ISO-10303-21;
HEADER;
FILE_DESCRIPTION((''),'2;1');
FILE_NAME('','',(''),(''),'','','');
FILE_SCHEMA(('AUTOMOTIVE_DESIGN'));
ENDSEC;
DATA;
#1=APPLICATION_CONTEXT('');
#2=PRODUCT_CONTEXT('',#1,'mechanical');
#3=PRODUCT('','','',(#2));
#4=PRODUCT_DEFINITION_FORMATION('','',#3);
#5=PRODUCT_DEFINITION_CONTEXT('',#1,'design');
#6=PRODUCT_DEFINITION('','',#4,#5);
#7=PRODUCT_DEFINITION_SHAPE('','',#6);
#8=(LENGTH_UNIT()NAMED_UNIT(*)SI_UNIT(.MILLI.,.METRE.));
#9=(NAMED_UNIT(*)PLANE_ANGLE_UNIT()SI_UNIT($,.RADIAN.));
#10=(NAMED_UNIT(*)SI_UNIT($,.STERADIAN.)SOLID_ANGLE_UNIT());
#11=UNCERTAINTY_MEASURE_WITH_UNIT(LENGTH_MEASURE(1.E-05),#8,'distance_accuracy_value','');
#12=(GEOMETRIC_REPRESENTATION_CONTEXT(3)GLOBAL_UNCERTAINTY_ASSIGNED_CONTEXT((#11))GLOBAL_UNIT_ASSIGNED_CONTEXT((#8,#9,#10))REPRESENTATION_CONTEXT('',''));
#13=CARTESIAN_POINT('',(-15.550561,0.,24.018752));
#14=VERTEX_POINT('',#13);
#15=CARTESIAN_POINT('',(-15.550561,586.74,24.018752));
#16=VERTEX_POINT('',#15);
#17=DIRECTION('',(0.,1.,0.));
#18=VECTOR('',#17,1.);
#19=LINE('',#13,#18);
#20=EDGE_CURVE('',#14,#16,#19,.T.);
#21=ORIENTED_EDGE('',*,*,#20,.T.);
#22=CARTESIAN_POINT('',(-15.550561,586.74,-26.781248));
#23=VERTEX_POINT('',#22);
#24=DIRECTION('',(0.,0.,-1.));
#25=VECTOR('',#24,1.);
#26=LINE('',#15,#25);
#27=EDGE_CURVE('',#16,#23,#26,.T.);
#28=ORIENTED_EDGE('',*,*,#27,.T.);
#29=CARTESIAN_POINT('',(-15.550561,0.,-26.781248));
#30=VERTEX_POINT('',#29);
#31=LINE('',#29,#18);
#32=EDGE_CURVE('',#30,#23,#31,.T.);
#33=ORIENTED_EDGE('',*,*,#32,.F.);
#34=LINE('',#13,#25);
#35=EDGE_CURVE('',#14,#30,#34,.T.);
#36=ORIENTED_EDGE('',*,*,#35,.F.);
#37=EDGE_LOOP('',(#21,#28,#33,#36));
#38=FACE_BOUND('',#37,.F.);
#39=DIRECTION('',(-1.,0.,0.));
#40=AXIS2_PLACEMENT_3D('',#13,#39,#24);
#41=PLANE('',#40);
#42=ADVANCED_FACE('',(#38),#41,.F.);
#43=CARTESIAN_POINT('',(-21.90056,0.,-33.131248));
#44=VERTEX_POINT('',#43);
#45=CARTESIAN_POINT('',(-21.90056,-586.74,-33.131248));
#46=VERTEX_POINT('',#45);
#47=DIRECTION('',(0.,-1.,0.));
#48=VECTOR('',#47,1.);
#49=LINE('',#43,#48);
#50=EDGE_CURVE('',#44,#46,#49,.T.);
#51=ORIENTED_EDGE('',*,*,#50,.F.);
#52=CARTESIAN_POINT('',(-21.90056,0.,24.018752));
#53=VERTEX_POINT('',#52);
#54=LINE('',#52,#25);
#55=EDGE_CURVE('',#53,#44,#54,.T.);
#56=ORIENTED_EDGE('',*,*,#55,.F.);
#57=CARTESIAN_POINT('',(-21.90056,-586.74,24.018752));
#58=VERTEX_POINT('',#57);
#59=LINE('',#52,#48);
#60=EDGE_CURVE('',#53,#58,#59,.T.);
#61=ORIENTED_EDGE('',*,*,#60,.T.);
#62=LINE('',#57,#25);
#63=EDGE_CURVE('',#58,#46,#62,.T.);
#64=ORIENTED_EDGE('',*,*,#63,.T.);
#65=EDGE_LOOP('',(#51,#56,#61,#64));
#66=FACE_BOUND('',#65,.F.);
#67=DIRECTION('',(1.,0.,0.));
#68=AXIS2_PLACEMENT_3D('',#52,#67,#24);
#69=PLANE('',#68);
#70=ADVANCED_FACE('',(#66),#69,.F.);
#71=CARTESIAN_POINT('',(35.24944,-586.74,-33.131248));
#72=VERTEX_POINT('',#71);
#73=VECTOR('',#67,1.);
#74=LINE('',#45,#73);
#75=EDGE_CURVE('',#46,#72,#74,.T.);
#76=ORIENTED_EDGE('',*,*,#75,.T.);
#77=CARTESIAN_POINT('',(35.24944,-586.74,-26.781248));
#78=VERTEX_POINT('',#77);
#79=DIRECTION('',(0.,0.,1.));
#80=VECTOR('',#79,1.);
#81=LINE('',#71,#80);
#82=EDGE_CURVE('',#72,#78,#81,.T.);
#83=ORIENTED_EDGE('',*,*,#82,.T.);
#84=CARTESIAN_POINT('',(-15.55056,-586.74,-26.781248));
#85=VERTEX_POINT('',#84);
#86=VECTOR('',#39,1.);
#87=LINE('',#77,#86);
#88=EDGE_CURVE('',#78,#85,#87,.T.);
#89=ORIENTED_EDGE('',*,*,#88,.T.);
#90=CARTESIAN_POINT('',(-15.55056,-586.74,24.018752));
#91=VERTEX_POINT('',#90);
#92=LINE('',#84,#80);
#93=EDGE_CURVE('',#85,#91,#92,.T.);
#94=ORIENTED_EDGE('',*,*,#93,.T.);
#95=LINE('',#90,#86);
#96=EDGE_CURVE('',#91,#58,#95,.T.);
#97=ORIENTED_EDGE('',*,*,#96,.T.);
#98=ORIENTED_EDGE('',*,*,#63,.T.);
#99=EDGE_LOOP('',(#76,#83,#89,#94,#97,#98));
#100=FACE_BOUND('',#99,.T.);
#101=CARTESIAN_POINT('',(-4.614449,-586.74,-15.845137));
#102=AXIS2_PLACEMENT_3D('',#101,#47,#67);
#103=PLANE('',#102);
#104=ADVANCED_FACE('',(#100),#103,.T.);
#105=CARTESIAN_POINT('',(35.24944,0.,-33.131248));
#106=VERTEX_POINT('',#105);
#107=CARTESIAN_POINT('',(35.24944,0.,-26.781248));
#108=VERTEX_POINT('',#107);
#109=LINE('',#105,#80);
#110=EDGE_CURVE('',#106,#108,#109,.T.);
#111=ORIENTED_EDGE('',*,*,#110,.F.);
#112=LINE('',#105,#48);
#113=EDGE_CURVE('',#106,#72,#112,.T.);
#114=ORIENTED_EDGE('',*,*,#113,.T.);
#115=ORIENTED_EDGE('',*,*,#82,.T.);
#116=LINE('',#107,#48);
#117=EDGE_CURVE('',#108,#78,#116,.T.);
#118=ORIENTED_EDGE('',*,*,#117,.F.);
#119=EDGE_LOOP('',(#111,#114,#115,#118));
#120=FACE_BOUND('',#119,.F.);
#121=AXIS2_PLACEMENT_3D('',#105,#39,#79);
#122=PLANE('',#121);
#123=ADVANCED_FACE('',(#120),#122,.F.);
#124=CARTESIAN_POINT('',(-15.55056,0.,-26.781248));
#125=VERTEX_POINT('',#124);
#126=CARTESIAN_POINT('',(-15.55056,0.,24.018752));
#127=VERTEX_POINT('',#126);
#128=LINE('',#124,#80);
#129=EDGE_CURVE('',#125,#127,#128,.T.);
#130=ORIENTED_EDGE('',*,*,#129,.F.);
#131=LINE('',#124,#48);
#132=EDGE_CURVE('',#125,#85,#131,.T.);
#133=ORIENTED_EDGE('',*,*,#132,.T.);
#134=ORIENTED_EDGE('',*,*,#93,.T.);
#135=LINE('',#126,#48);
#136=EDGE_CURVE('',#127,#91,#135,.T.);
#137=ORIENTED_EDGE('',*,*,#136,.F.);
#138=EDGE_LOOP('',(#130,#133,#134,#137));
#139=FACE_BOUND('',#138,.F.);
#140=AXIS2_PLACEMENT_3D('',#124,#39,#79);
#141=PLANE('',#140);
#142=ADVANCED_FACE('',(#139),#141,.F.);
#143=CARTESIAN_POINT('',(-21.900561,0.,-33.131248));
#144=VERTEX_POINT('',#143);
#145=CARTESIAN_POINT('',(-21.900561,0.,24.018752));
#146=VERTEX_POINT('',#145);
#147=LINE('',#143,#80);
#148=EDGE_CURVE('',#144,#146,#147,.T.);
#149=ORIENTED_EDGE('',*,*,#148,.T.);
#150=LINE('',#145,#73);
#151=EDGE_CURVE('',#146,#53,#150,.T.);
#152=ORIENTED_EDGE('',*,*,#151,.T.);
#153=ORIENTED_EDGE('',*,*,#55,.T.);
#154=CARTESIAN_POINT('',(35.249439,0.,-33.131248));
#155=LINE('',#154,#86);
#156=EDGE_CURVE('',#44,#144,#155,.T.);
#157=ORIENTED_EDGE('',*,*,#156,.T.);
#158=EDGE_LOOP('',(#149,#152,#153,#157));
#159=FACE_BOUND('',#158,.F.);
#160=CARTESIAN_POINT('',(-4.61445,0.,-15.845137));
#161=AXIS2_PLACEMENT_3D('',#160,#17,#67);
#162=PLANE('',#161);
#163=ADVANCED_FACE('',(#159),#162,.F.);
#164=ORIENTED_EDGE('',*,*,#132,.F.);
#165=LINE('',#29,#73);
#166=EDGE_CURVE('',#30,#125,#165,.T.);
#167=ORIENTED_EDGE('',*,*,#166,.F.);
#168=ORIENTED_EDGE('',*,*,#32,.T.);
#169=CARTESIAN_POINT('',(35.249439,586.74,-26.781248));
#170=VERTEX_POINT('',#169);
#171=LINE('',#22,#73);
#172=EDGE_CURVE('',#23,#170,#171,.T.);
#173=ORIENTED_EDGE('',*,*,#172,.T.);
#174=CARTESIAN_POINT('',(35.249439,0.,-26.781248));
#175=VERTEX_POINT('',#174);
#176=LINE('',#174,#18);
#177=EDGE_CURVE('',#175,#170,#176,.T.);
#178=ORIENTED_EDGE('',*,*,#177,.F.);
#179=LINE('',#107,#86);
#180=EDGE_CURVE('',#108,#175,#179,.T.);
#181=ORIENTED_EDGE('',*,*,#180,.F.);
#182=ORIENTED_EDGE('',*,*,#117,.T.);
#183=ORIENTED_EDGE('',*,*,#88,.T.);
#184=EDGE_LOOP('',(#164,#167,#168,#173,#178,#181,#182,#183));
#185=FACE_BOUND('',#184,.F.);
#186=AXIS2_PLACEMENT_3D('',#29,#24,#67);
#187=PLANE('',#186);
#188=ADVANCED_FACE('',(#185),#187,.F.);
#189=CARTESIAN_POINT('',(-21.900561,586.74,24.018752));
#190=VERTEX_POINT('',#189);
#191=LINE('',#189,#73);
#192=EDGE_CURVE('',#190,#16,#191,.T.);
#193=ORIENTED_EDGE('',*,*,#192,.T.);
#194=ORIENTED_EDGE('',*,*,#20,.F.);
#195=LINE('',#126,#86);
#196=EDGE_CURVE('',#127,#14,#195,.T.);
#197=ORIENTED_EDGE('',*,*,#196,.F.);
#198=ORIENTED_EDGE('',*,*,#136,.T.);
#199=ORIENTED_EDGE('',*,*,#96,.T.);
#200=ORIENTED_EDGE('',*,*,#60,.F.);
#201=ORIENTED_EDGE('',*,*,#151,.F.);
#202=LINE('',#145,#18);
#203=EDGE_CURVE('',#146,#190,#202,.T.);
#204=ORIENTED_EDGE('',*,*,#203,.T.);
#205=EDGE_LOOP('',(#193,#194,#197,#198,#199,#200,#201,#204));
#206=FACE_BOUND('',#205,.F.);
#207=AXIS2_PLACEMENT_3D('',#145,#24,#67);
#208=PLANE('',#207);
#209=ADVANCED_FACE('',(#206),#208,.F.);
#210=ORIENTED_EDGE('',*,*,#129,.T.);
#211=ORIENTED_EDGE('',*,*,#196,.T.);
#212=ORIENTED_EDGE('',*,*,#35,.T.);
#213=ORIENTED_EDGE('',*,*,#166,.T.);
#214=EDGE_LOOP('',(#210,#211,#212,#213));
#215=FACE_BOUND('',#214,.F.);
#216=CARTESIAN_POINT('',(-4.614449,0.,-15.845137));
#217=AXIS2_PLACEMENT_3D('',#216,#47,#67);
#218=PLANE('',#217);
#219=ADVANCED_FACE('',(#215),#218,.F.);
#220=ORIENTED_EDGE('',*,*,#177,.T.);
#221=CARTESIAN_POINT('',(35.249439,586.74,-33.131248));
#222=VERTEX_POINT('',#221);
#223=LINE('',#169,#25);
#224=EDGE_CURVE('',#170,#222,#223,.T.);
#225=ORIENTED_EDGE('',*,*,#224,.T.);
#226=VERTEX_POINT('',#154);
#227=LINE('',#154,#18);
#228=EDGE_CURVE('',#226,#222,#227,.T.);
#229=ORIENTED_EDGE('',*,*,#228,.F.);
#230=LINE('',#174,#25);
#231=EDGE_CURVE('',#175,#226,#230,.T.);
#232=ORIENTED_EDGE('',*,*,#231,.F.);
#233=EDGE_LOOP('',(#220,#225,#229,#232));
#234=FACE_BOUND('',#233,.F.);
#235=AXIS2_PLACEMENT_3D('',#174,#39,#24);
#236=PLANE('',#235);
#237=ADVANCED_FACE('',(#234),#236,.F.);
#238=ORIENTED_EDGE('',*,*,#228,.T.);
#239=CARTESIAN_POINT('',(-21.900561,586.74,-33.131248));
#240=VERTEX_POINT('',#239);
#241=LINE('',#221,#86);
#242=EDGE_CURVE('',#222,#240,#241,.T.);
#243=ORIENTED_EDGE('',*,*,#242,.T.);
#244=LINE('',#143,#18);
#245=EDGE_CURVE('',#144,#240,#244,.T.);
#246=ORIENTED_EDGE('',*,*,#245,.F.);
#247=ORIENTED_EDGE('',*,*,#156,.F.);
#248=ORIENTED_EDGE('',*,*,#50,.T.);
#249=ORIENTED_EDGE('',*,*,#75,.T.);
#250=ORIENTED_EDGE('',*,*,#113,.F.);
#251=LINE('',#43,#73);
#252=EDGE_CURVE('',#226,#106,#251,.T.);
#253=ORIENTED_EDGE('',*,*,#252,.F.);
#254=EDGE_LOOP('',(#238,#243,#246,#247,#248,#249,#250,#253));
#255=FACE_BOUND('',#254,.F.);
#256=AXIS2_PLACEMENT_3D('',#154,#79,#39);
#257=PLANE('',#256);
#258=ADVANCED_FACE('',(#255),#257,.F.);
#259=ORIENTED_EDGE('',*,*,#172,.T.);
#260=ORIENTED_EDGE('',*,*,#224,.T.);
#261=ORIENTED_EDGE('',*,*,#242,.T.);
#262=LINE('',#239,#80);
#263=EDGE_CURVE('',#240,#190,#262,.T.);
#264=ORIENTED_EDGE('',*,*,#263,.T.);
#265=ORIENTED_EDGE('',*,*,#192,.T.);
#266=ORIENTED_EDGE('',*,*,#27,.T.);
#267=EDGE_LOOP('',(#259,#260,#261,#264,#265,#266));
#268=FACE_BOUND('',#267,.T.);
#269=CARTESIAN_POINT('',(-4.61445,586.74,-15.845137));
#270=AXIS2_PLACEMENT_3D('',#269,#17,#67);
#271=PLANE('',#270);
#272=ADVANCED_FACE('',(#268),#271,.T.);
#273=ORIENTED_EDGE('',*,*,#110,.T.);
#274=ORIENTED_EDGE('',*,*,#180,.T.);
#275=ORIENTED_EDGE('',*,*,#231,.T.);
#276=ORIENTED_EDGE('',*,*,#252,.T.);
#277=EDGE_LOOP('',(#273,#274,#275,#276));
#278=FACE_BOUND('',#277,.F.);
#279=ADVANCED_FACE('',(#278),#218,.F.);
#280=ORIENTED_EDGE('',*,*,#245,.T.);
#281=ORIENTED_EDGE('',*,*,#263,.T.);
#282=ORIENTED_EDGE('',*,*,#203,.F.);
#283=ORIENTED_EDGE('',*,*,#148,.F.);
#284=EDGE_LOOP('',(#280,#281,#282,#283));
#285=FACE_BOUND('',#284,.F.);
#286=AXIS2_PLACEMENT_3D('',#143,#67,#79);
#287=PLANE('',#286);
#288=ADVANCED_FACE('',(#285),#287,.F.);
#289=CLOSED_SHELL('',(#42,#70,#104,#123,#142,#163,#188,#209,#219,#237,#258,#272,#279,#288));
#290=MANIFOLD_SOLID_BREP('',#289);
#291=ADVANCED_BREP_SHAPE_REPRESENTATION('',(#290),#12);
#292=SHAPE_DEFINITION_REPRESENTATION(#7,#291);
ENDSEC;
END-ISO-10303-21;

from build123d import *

# Parameters (mm, degrees)
F1_DEPTH = 586.74
F2_DEPTH = 586.74


with BuildPart() as f1:
    # F0 (on Front) → F1 (new body)
    with BuildSketch(Plane.XZ):
        Polygon((-15.55056, -26.781248), (-15.55056, 24.018752), (-21.90056, 24.018752), (-21.90056, -33.131248), (35.24944, -33.131248), (35.24944, -26.781248), align=None)
    extrude(amount=F1_DEPTH)

    # F1_face (on face) → F2 (join)
    with BuildSketch(Plane(origin=(-5.278502, 0, -16.509189), x_dir=(1, 0, 0), z_dir=(0, 1, 0))):
        Polygon((-10.272059, -40.527941), (-10.272059, 10.272059), (40.527941, 10.272059), (40.527941, 16.622059), (-16.622059, 16.622059), (-16.622059, -40.527941), align=None)
    extrude(amount=F2_DEPTH)


solid = f1.part
